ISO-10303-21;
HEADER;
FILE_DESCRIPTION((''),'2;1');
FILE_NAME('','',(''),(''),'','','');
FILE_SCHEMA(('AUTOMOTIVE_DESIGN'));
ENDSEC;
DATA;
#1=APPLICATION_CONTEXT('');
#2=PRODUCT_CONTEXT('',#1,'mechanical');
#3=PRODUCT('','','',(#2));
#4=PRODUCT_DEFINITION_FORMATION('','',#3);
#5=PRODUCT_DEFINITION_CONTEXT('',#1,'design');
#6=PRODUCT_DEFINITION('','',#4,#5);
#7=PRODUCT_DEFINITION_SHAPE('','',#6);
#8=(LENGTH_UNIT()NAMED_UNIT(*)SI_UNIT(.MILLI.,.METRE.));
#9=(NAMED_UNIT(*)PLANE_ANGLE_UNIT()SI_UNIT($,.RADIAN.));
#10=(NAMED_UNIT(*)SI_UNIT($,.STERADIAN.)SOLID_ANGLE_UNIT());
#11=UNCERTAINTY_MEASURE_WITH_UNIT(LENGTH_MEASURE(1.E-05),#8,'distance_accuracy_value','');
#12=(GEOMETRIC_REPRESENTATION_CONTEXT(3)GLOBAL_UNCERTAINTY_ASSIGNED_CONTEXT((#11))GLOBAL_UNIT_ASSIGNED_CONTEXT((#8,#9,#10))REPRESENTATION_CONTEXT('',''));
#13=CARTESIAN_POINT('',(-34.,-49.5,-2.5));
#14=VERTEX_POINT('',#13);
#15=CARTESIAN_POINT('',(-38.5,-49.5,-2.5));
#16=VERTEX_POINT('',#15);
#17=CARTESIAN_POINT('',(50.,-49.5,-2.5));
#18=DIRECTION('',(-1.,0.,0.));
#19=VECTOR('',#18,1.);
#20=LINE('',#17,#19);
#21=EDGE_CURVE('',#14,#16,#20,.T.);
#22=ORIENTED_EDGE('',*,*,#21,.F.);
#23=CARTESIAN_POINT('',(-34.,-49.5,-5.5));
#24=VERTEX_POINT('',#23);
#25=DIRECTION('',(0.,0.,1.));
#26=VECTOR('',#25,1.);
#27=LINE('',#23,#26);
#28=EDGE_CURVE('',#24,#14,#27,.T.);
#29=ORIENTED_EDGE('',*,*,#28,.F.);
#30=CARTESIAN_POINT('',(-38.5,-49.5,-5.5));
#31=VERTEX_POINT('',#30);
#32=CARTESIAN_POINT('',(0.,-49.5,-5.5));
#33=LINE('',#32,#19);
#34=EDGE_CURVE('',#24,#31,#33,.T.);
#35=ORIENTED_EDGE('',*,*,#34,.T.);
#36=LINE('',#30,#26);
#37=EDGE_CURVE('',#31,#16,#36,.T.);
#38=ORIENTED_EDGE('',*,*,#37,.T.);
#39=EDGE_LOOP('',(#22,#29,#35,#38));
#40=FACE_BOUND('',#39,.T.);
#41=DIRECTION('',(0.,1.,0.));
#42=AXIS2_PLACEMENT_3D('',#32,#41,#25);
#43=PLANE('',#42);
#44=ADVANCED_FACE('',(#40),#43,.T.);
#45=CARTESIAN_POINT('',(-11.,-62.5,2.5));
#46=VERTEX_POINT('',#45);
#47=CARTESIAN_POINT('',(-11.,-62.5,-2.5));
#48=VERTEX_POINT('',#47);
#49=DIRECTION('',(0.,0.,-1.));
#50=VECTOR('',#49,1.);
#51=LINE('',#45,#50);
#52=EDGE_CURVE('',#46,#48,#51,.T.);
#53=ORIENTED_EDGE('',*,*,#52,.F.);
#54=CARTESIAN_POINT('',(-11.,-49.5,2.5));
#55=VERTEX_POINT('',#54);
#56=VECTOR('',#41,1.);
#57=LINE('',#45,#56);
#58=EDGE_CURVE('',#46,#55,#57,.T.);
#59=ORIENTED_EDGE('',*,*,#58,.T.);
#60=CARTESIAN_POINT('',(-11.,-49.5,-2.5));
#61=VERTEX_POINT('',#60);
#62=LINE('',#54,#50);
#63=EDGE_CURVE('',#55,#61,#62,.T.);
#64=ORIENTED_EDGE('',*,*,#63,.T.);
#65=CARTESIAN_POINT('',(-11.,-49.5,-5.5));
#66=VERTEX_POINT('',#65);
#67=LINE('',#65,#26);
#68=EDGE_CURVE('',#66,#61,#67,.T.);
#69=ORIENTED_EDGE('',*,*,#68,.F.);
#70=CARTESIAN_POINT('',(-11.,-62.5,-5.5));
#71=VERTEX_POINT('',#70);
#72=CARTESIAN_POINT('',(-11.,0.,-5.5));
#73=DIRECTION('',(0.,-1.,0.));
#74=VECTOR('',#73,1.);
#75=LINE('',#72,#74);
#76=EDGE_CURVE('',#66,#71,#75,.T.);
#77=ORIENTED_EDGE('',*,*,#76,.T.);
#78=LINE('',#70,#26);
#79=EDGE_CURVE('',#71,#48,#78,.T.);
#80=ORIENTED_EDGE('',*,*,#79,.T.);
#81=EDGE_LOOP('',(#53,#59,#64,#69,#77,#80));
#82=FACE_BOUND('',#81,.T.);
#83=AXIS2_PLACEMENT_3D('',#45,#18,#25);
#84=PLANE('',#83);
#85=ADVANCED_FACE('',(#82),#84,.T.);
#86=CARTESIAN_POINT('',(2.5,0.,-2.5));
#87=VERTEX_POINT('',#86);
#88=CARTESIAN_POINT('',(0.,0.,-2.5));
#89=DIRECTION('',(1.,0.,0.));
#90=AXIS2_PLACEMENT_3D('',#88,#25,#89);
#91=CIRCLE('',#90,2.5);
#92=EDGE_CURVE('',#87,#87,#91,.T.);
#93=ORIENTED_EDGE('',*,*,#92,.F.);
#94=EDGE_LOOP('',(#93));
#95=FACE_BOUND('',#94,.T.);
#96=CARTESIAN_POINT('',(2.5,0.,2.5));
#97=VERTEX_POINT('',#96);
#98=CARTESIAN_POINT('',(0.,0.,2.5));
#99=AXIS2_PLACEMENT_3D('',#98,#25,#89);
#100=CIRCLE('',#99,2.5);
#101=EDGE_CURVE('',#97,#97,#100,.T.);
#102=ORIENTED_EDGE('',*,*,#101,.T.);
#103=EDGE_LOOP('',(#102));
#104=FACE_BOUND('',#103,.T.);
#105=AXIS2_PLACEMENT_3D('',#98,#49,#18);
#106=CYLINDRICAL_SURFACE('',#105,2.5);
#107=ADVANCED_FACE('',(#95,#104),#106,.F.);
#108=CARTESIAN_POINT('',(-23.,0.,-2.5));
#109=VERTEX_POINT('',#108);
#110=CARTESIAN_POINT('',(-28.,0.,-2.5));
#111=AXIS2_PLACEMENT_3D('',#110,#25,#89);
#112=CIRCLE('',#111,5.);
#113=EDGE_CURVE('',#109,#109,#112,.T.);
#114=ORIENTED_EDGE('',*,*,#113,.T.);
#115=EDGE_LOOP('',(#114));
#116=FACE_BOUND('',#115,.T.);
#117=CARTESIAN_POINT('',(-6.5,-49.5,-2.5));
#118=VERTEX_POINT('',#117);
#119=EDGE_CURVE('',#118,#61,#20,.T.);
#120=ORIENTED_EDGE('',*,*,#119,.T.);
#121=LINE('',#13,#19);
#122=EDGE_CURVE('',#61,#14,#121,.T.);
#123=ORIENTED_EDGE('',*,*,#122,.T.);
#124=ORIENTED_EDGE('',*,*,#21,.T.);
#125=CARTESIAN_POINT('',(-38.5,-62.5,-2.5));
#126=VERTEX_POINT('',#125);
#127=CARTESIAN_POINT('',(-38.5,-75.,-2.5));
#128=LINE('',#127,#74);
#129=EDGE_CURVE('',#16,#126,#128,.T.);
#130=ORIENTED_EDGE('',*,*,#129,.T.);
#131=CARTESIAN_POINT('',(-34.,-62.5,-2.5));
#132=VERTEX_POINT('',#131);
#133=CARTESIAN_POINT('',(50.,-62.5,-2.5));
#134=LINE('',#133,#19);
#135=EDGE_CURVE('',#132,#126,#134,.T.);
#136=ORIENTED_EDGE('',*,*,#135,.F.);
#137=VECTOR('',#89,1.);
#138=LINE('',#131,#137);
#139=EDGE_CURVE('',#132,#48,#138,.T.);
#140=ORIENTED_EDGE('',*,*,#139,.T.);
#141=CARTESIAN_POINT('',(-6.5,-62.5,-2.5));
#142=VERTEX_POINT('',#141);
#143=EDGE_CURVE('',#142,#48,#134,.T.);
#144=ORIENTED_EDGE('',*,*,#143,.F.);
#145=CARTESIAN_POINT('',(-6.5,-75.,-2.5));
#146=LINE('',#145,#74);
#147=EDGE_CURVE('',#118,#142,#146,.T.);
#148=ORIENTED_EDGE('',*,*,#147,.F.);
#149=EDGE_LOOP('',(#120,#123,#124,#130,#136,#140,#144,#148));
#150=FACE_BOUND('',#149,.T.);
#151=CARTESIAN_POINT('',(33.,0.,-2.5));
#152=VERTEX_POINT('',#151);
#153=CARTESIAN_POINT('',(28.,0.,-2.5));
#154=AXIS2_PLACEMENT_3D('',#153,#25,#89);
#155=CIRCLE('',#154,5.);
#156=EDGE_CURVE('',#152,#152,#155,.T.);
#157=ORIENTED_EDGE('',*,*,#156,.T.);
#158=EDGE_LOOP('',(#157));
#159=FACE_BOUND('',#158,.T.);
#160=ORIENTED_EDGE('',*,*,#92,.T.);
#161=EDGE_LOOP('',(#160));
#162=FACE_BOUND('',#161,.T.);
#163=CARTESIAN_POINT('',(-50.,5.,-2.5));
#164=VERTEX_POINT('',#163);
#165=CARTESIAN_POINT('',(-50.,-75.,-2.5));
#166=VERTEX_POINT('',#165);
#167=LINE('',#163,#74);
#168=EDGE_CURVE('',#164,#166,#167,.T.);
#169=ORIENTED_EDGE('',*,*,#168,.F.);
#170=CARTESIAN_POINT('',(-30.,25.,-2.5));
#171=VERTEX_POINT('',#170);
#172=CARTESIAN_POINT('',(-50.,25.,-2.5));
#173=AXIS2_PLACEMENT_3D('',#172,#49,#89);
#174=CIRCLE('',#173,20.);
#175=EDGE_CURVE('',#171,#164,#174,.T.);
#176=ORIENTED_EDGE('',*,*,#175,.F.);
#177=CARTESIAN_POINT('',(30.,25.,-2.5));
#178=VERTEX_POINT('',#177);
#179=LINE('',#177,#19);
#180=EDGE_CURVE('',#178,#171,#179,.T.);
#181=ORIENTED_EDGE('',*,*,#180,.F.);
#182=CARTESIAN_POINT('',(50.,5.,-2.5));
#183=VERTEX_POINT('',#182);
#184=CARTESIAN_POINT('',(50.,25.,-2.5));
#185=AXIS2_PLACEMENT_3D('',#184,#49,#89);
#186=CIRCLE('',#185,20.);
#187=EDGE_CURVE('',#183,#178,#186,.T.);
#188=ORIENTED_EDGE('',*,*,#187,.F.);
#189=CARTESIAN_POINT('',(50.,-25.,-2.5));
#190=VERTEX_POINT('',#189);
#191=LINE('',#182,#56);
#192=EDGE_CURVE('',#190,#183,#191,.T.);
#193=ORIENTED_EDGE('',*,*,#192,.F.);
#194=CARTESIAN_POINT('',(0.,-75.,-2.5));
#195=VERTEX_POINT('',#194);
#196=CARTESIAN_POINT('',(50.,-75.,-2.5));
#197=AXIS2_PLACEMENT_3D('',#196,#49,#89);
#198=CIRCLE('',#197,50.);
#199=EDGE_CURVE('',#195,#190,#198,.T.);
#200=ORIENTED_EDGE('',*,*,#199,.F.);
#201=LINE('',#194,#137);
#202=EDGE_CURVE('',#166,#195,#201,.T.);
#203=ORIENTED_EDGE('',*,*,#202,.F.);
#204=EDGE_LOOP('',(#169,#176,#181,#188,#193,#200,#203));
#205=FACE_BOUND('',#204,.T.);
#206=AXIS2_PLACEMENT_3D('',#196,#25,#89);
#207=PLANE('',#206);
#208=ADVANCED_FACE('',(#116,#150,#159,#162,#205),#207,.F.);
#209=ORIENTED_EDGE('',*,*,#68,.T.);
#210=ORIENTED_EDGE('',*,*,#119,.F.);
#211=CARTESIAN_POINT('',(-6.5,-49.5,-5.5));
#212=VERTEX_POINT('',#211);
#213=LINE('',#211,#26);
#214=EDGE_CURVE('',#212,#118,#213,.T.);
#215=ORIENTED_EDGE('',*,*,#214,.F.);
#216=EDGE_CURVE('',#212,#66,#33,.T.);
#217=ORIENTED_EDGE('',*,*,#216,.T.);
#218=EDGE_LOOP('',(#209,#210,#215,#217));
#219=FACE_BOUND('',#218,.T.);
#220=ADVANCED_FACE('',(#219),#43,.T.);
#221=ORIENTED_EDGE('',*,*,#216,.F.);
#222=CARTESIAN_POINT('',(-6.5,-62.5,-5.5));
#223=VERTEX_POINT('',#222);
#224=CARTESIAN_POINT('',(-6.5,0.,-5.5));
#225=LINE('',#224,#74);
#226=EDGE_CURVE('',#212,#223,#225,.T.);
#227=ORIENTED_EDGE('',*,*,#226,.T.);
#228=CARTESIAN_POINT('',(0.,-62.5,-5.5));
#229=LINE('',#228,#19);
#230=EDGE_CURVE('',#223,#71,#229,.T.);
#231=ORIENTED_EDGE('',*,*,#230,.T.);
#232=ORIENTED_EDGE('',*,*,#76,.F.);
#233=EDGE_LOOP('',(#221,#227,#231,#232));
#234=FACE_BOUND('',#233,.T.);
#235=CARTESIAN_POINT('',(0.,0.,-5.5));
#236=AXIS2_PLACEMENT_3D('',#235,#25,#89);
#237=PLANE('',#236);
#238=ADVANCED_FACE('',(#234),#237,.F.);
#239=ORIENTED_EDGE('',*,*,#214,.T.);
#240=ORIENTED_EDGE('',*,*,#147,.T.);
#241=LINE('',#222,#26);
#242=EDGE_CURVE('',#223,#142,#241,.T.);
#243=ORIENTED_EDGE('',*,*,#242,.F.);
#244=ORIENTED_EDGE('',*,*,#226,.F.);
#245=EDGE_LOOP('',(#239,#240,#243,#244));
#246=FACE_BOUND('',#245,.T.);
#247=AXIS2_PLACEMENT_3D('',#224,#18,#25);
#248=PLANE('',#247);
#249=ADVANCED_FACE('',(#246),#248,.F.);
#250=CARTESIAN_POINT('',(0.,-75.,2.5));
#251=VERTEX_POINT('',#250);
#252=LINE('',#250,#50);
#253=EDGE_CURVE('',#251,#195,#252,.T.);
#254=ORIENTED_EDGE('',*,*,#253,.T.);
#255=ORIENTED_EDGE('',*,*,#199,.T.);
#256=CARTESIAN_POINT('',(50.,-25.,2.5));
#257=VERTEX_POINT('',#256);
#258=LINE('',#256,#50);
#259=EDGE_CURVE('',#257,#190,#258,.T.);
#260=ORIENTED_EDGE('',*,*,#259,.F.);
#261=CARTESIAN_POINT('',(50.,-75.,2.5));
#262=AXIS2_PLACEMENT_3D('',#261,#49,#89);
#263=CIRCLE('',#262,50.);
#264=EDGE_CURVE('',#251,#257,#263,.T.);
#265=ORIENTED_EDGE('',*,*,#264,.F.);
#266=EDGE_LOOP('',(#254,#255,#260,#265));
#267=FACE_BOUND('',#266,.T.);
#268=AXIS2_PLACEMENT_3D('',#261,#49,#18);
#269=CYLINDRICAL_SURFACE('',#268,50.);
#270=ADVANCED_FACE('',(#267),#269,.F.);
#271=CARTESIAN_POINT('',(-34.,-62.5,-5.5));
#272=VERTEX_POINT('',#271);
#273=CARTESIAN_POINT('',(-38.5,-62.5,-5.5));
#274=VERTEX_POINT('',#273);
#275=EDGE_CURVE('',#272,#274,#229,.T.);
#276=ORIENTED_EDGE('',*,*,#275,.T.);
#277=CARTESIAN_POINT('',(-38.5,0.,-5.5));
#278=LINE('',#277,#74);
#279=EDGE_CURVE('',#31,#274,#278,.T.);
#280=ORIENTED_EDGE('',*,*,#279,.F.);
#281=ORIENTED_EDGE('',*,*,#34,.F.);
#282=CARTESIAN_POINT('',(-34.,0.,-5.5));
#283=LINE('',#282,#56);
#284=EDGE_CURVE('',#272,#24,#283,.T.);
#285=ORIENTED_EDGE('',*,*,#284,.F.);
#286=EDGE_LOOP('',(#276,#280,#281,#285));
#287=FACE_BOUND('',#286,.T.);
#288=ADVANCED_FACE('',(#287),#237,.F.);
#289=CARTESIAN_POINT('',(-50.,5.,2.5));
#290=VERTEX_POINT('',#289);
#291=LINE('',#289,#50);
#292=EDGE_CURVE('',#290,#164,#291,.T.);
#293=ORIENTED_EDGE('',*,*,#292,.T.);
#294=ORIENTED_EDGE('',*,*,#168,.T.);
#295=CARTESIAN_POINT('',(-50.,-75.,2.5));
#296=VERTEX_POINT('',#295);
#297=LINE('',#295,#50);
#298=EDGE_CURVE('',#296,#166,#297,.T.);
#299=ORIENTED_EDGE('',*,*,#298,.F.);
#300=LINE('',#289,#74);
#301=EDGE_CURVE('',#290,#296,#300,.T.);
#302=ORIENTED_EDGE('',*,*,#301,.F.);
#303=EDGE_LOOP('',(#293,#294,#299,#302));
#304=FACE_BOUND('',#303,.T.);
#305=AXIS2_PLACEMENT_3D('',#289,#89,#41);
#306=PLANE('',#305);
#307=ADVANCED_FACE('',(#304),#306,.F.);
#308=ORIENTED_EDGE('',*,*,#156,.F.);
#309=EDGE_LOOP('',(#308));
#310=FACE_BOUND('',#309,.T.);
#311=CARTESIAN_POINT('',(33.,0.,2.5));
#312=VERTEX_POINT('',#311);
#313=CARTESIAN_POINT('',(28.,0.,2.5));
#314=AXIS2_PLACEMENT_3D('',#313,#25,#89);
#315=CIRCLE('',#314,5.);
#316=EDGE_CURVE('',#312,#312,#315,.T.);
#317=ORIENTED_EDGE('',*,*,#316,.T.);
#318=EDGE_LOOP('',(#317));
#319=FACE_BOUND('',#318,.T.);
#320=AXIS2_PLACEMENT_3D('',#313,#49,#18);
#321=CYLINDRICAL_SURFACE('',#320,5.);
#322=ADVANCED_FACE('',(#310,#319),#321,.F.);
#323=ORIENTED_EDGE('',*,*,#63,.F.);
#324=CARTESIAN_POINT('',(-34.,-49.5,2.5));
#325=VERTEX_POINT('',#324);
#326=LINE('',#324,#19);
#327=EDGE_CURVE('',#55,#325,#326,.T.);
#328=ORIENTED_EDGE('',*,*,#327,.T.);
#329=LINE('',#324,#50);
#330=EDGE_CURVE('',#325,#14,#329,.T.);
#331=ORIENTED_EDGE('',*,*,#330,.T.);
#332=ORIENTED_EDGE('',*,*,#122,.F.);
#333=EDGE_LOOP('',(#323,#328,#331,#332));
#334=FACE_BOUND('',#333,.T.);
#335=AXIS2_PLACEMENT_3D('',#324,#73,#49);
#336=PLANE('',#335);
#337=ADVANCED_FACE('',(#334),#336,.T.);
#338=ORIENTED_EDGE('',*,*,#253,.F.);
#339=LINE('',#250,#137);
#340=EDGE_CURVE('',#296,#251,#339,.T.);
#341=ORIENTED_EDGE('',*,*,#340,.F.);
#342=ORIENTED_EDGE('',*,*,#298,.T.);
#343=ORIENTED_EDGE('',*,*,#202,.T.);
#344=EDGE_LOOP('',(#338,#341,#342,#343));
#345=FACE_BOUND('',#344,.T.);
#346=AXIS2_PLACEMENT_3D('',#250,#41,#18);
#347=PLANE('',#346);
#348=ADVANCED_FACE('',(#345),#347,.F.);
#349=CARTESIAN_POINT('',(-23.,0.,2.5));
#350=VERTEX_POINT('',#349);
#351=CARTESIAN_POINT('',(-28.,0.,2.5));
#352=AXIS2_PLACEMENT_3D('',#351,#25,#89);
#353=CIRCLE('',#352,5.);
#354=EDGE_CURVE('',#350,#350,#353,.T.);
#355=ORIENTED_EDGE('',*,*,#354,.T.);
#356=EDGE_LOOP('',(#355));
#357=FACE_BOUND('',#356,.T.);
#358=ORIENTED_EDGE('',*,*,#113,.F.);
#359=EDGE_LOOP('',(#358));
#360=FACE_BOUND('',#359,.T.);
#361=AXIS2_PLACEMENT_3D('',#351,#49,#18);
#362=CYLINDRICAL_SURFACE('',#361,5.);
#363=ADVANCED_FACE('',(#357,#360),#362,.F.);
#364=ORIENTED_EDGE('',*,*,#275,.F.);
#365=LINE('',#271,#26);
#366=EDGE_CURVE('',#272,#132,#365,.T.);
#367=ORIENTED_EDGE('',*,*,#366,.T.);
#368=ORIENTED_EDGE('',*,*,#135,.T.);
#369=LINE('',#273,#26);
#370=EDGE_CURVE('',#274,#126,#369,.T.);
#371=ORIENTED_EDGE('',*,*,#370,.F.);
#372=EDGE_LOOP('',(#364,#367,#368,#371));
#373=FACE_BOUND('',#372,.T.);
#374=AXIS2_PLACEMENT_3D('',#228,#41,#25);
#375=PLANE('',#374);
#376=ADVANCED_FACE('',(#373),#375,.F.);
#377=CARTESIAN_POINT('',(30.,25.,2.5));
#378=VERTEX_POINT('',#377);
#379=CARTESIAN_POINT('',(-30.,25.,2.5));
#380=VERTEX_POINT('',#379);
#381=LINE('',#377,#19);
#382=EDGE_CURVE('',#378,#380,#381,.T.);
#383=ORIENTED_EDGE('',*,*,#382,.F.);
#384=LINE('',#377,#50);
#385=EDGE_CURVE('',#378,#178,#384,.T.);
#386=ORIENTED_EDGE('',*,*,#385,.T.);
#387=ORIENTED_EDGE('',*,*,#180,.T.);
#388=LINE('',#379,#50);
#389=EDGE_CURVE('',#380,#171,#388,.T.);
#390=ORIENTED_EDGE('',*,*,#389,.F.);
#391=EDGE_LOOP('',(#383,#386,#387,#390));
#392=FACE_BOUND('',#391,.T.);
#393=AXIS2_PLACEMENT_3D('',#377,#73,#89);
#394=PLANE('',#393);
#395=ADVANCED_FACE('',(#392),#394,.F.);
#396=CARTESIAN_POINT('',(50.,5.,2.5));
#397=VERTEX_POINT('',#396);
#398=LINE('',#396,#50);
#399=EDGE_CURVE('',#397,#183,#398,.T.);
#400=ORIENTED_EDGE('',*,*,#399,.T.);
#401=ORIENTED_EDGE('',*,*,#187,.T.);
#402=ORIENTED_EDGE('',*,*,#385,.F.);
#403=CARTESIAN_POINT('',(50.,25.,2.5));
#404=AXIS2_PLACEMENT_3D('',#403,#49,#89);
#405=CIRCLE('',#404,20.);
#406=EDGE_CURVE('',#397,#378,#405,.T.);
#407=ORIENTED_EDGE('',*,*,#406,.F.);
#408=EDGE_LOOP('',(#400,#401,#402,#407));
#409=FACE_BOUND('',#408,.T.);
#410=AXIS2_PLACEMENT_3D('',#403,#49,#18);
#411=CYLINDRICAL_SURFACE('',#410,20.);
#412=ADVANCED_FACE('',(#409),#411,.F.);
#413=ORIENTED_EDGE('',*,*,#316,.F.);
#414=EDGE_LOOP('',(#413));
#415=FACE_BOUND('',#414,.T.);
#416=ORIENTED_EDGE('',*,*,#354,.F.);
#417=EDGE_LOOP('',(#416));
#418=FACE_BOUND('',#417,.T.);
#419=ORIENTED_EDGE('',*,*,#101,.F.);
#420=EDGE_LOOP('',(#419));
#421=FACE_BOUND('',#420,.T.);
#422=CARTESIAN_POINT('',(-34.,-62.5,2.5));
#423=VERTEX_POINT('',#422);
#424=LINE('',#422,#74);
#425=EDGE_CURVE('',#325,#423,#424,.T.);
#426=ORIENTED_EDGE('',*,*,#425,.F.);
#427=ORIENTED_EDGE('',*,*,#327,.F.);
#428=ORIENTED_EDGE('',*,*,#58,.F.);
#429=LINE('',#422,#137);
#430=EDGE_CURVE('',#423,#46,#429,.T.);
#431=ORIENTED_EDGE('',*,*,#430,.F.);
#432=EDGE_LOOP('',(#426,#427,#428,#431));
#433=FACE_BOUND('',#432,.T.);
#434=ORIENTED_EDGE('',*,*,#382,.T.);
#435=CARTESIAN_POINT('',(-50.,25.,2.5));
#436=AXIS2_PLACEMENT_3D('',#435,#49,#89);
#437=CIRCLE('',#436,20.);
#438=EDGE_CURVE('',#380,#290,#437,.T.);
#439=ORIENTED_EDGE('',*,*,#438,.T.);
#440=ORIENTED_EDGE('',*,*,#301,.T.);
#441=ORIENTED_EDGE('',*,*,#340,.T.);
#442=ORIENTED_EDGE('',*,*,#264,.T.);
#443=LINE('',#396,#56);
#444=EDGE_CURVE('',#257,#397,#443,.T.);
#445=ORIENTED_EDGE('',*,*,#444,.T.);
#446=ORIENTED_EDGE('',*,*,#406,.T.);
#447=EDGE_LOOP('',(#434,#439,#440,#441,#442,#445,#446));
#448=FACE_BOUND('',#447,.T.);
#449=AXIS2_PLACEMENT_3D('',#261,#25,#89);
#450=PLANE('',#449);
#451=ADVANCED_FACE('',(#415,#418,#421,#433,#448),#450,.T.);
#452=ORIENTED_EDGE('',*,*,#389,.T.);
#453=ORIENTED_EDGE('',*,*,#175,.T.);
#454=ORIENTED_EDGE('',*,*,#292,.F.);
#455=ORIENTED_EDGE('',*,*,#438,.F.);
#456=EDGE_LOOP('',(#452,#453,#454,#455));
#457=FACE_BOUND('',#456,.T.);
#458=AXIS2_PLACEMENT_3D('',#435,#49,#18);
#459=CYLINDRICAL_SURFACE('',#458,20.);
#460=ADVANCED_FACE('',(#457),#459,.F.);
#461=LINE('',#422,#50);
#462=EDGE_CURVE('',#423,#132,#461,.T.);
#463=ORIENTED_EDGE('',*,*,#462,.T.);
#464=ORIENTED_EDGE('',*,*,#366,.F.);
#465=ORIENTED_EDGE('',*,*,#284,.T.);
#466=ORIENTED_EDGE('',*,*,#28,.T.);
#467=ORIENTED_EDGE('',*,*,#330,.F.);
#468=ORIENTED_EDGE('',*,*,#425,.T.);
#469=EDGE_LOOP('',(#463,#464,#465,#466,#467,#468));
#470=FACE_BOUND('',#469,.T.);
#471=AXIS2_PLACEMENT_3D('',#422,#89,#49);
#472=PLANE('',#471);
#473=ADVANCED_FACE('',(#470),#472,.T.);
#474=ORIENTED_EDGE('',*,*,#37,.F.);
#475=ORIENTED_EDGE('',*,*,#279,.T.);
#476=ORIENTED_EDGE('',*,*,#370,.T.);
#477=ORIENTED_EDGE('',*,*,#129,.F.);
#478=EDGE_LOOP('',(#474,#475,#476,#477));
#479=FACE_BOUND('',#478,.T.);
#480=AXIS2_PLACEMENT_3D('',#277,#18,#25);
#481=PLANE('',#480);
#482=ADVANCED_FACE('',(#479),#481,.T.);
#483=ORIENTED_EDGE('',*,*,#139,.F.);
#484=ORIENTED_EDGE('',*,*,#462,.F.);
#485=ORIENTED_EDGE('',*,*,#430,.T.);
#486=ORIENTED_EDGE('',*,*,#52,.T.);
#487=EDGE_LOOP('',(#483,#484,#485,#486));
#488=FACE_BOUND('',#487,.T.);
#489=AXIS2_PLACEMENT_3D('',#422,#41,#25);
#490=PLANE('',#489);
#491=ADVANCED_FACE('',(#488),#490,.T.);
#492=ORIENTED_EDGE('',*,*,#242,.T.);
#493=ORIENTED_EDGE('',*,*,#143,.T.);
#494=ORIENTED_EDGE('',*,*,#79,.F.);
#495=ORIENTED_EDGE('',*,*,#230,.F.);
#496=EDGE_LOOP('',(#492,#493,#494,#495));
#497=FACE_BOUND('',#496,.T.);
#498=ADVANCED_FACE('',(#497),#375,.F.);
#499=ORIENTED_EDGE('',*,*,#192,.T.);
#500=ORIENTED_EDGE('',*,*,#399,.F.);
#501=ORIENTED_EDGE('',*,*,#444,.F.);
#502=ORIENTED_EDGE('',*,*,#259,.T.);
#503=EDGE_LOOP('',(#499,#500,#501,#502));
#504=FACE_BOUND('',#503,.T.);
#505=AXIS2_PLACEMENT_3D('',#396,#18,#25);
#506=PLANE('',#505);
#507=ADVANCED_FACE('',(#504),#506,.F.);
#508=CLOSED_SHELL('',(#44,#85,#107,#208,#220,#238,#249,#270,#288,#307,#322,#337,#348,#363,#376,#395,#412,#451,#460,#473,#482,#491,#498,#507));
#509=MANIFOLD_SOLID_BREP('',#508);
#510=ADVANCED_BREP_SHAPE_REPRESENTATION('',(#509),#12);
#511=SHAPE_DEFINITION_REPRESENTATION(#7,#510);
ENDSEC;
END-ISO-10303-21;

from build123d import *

# Parameters (mm, degrees)
CROQUIS1_R              = 2.5
CROQUIS1_R_2            = 5
CROQUIS1_W              = 23
CROQUIS1_H              = 13
SALIENTE_EXTRUIR1_DEPTH = 2.5
CROQUIS2_W              = 4.5
CROQUIS2_H              = 13
SALIENTE_EXTRUIR2_DEPTH = 8


with BuildPart() as part:
    # Croquis1 → Saliente-Extruir1 (new body, symmetric)
    with BuildSketch(Plane.XY):
        with BuildLine():
            Line((30, 25), (-30, 25))
            ThreePointArc((-30, 25), (-35.857864376, 10.857864376), (-50, 5))
            Line((-50, 5), (-50, -75))
            Line((-50, -75), (0, -75))
            ThreePointArc((0, -75), (14.644660941, -39.644660941), (50, -25))
            Line((50, -25), (50, 5))
            ThreePointArc((50, 5), (35.857864376, 10.857864376), (30, 25))
        make_face()
        Circle(CROQUIS1_R, mode=Mode.SUBTRACT)
        with Locations((-28, 0)):
            Circle(CROQUIS1_R_2, mode=Mode.SUBTRACT)
        with Locations((28, 0)):
            Circle(CROQUIS1_R_2, mode=Mode.SUBTRACT)
        with Locations((-22.5, -56)):
            Rectangle(CROQUIS1_W, CROQUIS1_H, mode=Mode.SUBTRACT)
    extrude(amount=SALIENTE_EXTRUIR1_DEPTH, both=True)

    # Croquis2 → Saliente-Extruir2 (add)
    with BuildSketch(Plane.XY.offset(2.5)):
        with Locations((-36.25, -56)):
            Rectangle(CROQUIS2_W, CROQUIS2_H)
        with Locations((-8.75, -56)):
            Rectangle(CROQUIS2_W, CROQUIS2_H)
    extrude(amount=-SALIENTE_EXTRUIR2_DEPTH)


solid = part.part
